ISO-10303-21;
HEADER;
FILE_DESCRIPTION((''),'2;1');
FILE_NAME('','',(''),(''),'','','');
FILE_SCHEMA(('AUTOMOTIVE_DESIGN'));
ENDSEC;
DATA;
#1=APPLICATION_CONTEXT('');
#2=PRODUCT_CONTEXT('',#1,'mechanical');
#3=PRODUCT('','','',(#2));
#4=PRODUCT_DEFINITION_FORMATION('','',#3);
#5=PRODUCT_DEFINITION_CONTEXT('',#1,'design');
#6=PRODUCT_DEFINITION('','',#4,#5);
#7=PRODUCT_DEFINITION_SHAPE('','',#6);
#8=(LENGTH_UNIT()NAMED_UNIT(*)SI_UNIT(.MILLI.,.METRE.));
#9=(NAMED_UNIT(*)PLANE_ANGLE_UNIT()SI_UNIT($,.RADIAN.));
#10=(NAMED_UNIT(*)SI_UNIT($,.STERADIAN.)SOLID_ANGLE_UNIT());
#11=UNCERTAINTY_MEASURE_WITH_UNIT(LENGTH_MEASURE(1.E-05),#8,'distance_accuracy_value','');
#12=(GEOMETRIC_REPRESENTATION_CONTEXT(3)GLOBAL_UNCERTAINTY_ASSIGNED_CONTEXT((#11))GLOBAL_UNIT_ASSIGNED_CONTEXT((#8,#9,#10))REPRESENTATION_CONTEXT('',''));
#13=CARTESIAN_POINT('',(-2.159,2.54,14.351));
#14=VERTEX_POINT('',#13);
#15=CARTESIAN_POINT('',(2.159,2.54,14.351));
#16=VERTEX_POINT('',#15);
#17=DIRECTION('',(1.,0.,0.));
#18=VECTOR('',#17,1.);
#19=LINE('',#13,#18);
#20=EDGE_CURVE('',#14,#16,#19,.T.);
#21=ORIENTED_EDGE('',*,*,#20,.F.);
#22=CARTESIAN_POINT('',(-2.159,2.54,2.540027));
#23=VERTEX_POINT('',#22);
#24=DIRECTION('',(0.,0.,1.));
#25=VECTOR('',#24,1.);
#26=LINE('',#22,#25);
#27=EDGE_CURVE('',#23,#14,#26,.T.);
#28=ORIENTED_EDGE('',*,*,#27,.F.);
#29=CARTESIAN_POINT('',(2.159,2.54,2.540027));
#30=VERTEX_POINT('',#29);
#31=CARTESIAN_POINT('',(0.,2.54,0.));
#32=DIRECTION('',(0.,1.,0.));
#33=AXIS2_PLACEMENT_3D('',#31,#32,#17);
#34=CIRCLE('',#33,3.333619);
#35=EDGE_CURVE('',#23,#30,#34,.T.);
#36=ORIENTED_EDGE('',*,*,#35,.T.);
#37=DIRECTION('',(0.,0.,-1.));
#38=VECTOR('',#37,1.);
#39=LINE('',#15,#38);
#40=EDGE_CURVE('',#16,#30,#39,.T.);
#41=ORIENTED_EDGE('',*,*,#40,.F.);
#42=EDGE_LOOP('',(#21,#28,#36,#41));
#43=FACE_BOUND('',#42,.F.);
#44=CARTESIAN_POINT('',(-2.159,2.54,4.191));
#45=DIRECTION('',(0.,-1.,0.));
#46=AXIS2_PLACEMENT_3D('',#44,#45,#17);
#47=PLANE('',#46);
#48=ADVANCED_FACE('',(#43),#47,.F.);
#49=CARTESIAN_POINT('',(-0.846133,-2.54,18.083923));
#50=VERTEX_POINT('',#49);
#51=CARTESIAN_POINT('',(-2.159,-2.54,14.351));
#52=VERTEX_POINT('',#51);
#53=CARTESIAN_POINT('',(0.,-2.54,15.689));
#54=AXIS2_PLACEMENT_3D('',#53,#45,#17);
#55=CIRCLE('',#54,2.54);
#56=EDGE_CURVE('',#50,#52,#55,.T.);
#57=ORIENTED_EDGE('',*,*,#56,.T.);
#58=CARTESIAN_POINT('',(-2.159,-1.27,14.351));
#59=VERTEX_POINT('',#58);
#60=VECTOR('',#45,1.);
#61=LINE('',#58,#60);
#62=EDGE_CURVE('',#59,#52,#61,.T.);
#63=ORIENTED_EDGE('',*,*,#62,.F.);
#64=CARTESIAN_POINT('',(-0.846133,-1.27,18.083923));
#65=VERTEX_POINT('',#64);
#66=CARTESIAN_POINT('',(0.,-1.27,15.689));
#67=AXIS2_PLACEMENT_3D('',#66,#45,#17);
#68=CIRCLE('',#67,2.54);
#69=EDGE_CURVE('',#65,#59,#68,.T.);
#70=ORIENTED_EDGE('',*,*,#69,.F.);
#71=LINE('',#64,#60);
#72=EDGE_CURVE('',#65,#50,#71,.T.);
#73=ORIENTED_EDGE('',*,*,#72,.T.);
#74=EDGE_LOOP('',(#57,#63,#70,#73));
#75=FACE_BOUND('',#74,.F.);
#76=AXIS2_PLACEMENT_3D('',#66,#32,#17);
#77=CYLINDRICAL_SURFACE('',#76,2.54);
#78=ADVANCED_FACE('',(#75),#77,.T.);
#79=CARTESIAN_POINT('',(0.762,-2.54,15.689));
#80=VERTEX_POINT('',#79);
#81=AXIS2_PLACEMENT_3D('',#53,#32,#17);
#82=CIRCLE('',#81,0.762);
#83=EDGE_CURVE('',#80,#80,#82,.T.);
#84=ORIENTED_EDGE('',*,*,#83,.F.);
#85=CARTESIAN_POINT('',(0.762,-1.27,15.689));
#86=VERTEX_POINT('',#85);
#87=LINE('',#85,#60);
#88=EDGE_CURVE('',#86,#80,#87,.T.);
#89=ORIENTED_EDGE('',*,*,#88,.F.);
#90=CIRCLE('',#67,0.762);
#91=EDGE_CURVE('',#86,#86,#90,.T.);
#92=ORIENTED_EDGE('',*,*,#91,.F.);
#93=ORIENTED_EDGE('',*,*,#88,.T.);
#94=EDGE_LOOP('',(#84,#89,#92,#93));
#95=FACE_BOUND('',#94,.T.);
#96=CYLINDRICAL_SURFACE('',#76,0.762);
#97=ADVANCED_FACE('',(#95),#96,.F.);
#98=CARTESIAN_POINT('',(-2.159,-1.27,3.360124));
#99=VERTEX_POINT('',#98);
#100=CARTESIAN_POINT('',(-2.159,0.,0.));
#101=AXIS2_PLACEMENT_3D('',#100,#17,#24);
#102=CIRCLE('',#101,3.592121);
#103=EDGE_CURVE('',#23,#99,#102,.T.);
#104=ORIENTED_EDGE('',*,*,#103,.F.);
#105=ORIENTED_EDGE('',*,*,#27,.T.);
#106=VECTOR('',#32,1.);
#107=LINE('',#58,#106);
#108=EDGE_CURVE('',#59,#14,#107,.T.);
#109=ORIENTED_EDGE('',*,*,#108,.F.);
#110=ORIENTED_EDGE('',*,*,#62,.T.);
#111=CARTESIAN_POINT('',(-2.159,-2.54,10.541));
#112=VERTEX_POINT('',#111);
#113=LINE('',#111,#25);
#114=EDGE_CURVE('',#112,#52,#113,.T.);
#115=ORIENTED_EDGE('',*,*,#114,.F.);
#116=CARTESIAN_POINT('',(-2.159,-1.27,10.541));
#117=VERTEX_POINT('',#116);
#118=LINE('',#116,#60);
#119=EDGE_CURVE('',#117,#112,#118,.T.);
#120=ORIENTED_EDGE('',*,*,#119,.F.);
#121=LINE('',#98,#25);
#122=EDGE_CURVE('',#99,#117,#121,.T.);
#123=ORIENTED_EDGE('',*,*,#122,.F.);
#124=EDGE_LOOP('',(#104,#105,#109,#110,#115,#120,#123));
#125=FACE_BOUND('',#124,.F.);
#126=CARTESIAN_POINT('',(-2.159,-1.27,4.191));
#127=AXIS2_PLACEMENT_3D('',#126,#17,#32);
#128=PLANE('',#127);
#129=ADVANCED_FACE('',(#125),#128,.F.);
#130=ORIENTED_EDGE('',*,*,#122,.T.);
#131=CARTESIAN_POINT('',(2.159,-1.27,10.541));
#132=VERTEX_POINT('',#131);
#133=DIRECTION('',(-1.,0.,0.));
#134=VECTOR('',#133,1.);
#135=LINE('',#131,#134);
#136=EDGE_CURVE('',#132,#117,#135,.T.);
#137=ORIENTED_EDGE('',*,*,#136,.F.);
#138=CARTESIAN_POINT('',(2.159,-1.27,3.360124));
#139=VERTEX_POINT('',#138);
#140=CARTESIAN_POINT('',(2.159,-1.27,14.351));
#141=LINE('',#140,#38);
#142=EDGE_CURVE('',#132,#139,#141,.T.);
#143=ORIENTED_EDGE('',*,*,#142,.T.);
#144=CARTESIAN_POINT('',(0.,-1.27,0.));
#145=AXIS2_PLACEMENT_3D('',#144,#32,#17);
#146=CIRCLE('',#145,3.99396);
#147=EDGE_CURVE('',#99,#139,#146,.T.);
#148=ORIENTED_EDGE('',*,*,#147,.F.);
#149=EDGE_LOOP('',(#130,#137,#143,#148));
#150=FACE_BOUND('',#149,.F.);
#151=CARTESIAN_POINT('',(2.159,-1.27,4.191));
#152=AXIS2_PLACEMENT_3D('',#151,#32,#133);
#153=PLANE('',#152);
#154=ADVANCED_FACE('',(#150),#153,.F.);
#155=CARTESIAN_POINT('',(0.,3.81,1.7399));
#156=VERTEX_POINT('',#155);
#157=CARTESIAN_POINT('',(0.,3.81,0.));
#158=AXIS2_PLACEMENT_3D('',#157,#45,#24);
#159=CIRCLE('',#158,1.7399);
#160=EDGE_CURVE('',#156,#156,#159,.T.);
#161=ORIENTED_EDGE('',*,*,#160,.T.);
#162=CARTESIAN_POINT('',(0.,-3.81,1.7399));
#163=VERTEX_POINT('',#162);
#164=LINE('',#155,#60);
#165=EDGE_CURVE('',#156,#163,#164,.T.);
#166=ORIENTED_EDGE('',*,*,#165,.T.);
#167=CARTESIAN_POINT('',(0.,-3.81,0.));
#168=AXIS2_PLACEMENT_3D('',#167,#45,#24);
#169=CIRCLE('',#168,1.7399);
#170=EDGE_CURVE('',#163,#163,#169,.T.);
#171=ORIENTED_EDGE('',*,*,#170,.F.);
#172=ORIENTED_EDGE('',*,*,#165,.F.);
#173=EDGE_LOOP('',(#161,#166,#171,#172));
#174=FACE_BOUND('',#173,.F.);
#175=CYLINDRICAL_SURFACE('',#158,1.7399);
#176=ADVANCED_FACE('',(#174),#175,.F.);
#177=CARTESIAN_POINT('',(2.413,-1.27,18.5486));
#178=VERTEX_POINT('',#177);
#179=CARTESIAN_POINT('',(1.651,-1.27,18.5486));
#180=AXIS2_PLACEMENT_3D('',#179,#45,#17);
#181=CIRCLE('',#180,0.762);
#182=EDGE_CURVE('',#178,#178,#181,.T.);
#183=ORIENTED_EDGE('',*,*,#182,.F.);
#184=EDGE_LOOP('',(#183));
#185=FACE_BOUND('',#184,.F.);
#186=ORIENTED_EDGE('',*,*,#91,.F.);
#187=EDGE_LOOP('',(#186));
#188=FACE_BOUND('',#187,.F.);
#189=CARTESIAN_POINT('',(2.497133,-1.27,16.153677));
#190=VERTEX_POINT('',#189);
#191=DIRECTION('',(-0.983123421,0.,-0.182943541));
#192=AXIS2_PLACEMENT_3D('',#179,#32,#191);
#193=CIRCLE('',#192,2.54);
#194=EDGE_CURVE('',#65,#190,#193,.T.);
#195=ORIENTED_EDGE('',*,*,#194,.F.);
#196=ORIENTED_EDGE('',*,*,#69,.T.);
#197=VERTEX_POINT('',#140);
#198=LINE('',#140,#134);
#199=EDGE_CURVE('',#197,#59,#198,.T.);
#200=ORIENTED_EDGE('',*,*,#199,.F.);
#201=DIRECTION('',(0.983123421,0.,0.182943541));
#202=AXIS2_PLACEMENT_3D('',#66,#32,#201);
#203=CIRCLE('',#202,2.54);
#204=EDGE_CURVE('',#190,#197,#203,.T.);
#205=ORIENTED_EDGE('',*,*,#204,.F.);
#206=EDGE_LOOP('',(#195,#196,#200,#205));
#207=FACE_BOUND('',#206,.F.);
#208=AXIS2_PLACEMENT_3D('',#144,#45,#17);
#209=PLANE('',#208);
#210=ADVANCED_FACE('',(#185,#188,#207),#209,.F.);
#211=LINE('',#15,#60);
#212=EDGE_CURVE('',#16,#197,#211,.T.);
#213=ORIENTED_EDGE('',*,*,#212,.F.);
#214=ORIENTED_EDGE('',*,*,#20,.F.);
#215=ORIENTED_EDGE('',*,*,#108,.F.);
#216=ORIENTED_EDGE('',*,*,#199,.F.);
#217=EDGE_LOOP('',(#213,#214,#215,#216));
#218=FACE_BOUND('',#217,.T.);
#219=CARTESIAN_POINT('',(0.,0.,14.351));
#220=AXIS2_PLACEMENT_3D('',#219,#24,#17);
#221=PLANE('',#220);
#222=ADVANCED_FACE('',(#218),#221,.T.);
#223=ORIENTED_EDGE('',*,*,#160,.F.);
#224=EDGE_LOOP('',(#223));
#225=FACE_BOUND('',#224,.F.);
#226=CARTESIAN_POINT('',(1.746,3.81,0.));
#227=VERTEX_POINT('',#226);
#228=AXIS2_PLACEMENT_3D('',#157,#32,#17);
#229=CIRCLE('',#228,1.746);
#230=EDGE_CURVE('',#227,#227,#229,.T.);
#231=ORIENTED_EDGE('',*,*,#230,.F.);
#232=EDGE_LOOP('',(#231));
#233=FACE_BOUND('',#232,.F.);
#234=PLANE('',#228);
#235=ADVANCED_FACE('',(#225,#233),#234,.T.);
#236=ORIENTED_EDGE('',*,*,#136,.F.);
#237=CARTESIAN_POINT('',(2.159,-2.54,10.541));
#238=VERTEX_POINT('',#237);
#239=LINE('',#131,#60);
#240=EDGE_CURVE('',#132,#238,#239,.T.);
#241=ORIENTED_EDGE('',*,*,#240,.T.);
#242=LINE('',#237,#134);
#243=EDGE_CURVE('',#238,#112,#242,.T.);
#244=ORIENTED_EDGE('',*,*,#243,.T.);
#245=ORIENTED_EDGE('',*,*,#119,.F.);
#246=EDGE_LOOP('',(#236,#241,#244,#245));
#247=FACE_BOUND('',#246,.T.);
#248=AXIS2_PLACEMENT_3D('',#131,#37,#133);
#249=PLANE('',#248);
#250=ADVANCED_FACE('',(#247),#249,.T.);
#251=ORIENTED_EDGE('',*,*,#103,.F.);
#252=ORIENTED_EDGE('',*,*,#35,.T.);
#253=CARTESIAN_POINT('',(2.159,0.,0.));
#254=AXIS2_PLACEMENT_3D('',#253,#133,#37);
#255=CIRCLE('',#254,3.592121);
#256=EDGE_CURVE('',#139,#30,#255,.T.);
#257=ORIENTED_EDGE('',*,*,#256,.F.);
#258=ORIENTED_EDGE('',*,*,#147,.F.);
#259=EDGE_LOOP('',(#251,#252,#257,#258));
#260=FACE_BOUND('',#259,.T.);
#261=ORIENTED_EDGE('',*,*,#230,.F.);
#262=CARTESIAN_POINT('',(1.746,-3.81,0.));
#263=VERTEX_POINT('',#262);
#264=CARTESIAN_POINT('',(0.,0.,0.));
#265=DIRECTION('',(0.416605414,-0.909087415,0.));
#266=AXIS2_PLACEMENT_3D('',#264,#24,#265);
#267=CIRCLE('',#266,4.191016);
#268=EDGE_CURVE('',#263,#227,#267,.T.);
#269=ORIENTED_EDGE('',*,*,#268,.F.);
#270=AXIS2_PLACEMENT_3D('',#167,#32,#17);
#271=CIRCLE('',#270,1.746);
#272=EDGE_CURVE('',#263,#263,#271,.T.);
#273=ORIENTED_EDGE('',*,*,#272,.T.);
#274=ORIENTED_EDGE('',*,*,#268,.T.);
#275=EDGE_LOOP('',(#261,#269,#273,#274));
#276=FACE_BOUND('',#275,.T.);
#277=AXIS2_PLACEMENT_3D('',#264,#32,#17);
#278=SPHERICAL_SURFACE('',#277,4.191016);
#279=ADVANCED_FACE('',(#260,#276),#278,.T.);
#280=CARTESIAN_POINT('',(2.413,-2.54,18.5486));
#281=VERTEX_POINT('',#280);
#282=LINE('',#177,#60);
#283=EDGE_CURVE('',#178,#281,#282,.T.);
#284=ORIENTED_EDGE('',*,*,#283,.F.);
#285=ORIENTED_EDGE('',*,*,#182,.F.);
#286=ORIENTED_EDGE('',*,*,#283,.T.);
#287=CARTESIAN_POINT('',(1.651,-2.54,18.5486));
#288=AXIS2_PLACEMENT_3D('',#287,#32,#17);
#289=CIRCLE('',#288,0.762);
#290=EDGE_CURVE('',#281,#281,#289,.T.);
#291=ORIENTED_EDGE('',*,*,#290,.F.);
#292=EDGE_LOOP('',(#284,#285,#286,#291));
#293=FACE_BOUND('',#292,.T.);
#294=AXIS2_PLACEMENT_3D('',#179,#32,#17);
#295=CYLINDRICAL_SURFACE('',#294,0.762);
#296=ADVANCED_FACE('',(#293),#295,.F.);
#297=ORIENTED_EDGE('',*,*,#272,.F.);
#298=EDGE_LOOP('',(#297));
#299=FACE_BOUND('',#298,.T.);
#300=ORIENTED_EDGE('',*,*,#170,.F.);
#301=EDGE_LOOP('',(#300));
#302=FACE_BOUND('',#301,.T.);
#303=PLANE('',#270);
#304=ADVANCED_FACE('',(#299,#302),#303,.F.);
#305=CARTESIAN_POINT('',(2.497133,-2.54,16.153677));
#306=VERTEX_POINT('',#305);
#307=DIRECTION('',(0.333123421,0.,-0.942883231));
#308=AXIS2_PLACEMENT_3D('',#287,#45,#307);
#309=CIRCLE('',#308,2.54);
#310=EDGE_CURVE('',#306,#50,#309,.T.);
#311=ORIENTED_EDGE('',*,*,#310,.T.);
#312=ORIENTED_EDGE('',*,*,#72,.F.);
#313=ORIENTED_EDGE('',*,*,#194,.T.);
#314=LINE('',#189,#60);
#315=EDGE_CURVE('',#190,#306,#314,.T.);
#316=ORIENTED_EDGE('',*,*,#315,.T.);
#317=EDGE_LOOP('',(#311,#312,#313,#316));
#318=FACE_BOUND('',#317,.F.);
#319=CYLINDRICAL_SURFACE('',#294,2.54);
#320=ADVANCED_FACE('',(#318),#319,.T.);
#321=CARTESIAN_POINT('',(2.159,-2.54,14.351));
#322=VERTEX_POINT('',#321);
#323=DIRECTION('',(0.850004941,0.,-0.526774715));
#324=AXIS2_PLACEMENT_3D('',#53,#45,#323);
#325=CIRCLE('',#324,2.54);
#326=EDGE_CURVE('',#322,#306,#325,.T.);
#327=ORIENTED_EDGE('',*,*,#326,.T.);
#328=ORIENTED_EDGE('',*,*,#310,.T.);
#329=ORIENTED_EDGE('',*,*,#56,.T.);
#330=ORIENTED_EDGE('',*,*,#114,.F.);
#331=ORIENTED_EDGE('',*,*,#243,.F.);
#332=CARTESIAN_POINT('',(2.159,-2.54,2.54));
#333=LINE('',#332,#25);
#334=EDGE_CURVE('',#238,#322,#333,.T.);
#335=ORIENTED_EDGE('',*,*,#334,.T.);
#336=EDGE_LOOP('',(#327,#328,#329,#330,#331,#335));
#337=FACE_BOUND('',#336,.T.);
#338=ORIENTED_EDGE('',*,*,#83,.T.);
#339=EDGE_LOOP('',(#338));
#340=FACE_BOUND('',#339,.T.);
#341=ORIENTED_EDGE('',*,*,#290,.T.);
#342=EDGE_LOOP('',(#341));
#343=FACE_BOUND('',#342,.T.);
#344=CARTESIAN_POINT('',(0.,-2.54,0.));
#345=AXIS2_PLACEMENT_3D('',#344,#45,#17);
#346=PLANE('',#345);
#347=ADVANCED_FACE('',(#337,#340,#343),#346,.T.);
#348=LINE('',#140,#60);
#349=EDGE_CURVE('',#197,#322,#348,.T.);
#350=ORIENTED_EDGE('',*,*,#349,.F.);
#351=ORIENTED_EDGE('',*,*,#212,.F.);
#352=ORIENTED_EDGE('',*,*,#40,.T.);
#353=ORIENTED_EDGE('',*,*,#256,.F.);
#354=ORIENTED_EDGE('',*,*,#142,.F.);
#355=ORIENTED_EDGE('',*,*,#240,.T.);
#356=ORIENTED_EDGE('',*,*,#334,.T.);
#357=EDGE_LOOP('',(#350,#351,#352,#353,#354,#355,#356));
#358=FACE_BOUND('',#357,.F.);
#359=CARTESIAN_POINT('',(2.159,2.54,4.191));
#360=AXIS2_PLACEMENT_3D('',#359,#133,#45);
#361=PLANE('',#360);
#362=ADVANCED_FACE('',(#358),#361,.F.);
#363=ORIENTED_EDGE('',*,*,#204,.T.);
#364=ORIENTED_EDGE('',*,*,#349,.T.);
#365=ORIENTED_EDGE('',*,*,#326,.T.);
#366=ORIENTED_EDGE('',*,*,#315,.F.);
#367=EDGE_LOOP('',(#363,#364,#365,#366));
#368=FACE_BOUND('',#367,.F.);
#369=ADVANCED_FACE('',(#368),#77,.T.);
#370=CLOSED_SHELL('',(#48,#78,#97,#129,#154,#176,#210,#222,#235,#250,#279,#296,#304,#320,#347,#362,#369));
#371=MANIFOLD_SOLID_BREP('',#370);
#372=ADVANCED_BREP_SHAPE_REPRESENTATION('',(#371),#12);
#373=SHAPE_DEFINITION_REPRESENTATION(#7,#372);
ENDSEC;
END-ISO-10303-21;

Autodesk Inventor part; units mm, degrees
ref_plane "YZ Plane" through (0, 0, 0) normal (1, 0, 0) x (0, 1, 0)
ref_plane "XZ Plane" through (0, 0, 0) normal (0, 1, 0) x (-1, 0, 0)
sketch "Sketch1" plane through (0, 0, 0) normal (0, 0, 1) x (1, 0, 0)
  line L0 (0, 3.81) -> (1.746, 3.81)
  line L1 (0, 0) -> (0, 7.4896) construction
  line L2 (0, 0) -> (13.1944, 0) construction
  line L3 (0, -3.81) -> (1.746, -3.81)
  arc A0 (1.746, -3.81) -> (1.746, 3.81) centre (0, 0) ccw
  line L4 (0, 3.81) -> (0, -3.81)
  point P0 (-6.8886, 3.81)
  point P1 (6.6767, 3.81)
  point P2 (0, 4.191)
  point P3 (0, 4.191)
  point P4 (-6.8886, -3.81)
  point P5 (6.6767, -3.81)
  point P6 (0, 4.191)
  point P7 (4.191, 0)
  dimension "d1" = 0.381
  dimension "d11" = 4.191
revolve "Revolution1" add sketch "Sketch1" angle 360 about axis through (0, 0, 0) along (0, 1, 0)
sketch "Sketch2" plane through (0, 3.81, 0) normal (0, 1, 0) x (1, 0, 0)
  circle A0 centre (0, 0) radius 1.746 projected
  dimension "d3" = 3.4919
hole "Hole1" at (0, 3.81, 0) direction (0, -1, 0) diameter 3.4798 end through all
ref_plane "Work Plane1" through (0, 0, 4.191) normal (0, 0, 1) x (1, 0, 0)
sketch "Sketch3" plane through (0, 0, 4.191) normal (0, 0, 1) x (1, 0, 0)
  line L0 (-2.159, 2.54) -> (2.159, 2.54)
  line L1 (2.159, 2.54) -> (2.159, -1.27)
  line L2 (2.159, -1.27) -> (-2.159, -1.27)
  line L3 (-2.159, -1.27) -> (-2.159, 2.54)
  line L4 (1.746, 3.81) -> (-1.746, 3.81) projected
  point P0 (0, 0)
  point P1 (0, 2.54)
  dimension "d13" = 4.318
  dimension "d14" = 3.81
  dimension "d15" = 1.27
extrude "Extrusion1" add sketch "Sketch3" along normal blind 10.16
ref_plane "Work Plane2" through (0, 0, 1.7399) normal (0, 0, 1) x (1, 0, 0)
extrude "Extrusion2" add sketch "Sketch3" against normal up to surface (2.4511 mm away)
sketch "Sketch4" plane through (0, -1.27, 0) normal (0, -1, 0) x (1, 0, 0)
  line L0 (2.159, 2.54) -> (2.159, 14.351) projected
  line L1 (2.159, 10.541) -> (-2.159, 10.541)
  line L2 (-2.159, 10.541) -> (-2.159, 14.351)
  line L3 (-2.159, 14.351) -> (2.159, 14.351)
  line L4 (2.159, 14.351) -> (2.159, 10.541) construction
  line L5 (-2.159, 14.351) -> (2.159, 14.351) projected
  circle A0 centre (0, 15.689) radius 0.762
  circle A1 centre (0, 15.689) radius 2.54
  circle A2 centre (1.651, 18.5486) radius 0.762
  circle A3 centre (1.651, 18.5486) radius 2.54
  point P0 (0, 0)
  point P1 (2.159, 14.351)
  point P2 (0, 14.351)
  point P3 (2.159, 14.351)
  point P4 (4.191, 18.5486)
  point P5 (-0.8461, 18.084)
  point P6 (1.27, 17.8887)
  point P7 (2.4971, 16.1537)
  point P8 (-0.889, 18.5486)
  dimension "d22" = 3.81
  dimension "d25" = 1.524
  dimension "d27" = 5.08
  dimension "d30" = 1.524
  dimension "d31" = 5.08
  dimension "d33" = 4.318
  dimension "d34" = 1.27
extrude "Extrusion4" add sketch "Sketch4" along normal blind 1.27
properties part number "Left Arm" material "Phenolic Resin"
